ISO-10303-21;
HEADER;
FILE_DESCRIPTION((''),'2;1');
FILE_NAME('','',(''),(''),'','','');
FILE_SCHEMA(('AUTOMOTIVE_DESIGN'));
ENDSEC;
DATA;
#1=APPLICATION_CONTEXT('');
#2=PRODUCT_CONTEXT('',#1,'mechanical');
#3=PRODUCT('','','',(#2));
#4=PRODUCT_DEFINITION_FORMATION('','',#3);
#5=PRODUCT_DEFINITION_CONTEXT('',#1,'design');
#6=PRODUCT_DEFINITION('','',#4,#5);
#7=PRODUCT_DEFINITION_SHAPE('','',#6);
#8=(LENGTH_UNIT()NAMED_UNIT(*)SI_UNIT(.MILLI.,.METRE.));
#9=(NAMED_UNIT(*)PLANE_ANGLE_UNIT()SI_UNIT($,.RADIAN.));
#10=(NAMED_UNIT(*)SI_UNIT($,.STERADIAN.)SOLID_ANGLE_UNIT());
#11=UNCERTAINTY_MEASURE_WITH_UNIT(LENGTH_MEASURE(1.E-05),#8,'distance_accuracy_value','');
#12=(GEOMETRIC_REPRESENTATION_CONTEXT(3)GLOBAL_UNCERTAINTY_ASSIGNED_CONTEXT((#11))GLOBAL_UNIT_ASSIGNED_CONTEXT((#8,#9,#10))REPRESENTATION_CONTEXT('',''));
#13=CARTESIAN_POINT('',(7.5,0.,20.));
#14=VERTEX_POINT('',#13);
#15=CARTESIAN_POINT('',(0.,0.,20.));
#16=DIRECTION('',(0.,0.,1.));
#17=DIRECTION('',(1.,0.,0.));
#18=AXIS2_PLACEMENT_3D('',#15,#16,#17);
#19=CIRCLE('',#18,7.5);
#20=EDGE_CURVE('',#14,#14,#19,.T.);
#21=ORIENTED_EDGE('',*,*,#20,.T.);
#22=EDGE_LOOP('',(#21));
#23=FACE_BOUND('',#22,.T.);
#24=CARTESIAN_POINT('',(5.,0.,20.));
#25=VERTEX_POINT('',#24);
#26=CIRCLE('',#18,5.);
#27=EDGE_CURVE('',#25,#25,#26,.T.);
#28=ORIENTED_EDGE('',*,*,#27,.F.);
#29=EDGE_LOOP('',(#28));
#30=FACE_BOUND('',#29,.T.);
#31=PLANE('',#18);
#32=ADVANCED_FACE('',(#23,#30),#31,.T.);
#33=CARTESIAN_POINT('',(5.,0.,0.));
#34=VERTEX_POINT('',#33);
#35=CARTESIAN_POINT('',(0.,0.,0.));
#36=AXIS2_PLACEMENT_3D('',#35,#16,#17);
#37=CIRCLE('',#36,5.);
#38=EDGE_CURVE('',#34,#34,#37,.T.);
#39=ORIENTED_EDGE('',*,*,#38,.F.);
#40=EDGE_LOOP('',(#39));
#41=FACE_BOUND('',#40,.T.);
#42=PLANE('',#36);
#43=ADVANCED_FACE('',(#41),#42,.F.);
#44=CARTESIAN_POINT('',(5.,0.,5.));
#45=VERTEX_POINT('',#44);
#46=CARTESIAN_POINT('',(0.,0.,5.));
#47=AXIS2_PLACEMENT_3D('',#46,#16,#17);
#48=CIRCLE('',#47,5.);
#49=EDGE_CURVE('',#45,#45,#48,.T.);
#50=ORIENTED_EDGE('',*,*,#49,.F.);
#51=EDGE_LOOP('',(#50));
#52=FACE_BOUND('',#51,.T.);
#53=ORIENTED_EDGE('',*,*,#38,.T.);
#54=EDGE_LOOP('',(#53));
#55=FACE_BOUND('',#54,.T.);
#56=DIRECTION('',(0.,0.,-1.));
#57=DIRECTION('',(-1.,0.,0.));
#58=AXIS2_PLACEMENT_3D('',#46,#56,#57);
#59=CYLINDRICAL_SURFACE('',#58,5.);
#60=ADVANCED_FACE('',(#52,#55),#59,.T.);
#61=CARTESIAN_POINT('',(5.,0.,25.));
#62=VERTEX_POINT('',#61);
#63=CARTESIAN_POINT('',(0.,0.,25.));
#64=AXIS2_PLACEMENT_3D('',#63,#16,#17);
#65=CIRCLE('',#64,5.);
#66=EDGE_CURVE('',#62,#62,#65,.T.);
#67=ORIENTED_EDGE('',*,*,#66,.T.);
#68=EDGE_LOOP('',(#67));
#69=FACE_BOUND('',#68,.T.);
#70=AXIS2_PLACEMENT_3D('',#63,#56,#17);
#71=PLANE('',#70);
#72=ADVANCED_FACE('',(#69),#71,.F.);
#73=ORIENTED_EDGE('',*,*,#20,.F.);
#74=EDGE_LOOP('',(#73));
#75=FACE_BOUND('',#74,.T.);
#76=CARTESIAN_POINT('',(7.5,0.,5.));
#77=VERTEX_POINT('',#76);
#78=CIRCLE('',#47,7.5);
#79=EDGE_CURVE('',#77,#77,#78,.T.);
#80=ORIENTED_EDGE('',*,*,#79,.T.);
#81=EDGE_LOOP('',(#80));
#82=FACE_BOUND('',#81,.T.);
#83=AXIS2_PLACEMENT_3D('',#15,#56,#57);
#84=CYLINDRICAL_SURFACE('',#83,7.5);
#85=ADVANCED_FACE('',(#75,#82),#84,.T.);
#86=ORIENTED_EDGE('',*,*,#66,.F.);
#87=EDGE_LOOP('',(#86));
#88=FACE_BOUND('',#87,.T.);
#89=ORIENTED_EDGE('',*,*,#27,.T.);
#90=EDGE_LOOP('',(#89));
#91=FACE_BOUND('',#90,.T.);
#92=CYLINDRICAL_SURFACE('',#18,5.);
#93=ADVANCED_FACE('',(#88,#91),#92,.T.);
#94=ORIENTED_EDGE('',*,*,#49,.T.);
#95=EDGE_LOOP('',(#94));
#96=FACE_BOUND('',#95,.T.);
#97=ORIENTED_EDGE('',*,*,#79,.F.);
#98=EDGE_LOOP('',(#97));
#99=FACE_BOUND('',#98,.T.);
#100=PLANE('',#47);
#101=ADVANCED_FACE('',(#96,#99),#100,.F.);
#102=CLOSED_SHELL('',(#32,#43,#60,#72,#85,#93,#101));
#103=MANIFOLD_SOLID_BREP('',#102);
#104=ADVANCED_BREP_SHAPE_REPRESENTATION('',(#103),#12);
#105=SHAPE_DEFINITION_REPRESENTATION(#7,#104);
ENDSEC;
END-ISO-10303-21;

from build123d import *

# Parameters (mm, degrees)
SKETCH_1_R      = 5
EXTRUDE_1_DEPTH = 5
SKETCH_2_R      = 7.5
EXTRUDE_2_DEPTH = 15


with BuildPart() as part:
    # 스케치1 → 보스-돌출1 (new body)
    with BuildSketch(Plane.XY):
        Circle(SKETCH_1_R)
    extrude_1 = extrude(amount=EXTRUDE_1_DEPTH)

    # 스케치2 → 보스-돌출2 (add)
    with BuildSketch(Plane.XY.offset(5)):
        Circle(SKETCH_2_R)
    extrude(amount=EXTRUDE_2_DEPTH)

    # 대칭 복사1: 보스-돌출1 across plane
    add(extrude_1.mirror(Plane(origin=(0, 0, 12.5), x_dir=(1, 0, 0), z_dir=(0, 0, -1))))


solid = part.part
